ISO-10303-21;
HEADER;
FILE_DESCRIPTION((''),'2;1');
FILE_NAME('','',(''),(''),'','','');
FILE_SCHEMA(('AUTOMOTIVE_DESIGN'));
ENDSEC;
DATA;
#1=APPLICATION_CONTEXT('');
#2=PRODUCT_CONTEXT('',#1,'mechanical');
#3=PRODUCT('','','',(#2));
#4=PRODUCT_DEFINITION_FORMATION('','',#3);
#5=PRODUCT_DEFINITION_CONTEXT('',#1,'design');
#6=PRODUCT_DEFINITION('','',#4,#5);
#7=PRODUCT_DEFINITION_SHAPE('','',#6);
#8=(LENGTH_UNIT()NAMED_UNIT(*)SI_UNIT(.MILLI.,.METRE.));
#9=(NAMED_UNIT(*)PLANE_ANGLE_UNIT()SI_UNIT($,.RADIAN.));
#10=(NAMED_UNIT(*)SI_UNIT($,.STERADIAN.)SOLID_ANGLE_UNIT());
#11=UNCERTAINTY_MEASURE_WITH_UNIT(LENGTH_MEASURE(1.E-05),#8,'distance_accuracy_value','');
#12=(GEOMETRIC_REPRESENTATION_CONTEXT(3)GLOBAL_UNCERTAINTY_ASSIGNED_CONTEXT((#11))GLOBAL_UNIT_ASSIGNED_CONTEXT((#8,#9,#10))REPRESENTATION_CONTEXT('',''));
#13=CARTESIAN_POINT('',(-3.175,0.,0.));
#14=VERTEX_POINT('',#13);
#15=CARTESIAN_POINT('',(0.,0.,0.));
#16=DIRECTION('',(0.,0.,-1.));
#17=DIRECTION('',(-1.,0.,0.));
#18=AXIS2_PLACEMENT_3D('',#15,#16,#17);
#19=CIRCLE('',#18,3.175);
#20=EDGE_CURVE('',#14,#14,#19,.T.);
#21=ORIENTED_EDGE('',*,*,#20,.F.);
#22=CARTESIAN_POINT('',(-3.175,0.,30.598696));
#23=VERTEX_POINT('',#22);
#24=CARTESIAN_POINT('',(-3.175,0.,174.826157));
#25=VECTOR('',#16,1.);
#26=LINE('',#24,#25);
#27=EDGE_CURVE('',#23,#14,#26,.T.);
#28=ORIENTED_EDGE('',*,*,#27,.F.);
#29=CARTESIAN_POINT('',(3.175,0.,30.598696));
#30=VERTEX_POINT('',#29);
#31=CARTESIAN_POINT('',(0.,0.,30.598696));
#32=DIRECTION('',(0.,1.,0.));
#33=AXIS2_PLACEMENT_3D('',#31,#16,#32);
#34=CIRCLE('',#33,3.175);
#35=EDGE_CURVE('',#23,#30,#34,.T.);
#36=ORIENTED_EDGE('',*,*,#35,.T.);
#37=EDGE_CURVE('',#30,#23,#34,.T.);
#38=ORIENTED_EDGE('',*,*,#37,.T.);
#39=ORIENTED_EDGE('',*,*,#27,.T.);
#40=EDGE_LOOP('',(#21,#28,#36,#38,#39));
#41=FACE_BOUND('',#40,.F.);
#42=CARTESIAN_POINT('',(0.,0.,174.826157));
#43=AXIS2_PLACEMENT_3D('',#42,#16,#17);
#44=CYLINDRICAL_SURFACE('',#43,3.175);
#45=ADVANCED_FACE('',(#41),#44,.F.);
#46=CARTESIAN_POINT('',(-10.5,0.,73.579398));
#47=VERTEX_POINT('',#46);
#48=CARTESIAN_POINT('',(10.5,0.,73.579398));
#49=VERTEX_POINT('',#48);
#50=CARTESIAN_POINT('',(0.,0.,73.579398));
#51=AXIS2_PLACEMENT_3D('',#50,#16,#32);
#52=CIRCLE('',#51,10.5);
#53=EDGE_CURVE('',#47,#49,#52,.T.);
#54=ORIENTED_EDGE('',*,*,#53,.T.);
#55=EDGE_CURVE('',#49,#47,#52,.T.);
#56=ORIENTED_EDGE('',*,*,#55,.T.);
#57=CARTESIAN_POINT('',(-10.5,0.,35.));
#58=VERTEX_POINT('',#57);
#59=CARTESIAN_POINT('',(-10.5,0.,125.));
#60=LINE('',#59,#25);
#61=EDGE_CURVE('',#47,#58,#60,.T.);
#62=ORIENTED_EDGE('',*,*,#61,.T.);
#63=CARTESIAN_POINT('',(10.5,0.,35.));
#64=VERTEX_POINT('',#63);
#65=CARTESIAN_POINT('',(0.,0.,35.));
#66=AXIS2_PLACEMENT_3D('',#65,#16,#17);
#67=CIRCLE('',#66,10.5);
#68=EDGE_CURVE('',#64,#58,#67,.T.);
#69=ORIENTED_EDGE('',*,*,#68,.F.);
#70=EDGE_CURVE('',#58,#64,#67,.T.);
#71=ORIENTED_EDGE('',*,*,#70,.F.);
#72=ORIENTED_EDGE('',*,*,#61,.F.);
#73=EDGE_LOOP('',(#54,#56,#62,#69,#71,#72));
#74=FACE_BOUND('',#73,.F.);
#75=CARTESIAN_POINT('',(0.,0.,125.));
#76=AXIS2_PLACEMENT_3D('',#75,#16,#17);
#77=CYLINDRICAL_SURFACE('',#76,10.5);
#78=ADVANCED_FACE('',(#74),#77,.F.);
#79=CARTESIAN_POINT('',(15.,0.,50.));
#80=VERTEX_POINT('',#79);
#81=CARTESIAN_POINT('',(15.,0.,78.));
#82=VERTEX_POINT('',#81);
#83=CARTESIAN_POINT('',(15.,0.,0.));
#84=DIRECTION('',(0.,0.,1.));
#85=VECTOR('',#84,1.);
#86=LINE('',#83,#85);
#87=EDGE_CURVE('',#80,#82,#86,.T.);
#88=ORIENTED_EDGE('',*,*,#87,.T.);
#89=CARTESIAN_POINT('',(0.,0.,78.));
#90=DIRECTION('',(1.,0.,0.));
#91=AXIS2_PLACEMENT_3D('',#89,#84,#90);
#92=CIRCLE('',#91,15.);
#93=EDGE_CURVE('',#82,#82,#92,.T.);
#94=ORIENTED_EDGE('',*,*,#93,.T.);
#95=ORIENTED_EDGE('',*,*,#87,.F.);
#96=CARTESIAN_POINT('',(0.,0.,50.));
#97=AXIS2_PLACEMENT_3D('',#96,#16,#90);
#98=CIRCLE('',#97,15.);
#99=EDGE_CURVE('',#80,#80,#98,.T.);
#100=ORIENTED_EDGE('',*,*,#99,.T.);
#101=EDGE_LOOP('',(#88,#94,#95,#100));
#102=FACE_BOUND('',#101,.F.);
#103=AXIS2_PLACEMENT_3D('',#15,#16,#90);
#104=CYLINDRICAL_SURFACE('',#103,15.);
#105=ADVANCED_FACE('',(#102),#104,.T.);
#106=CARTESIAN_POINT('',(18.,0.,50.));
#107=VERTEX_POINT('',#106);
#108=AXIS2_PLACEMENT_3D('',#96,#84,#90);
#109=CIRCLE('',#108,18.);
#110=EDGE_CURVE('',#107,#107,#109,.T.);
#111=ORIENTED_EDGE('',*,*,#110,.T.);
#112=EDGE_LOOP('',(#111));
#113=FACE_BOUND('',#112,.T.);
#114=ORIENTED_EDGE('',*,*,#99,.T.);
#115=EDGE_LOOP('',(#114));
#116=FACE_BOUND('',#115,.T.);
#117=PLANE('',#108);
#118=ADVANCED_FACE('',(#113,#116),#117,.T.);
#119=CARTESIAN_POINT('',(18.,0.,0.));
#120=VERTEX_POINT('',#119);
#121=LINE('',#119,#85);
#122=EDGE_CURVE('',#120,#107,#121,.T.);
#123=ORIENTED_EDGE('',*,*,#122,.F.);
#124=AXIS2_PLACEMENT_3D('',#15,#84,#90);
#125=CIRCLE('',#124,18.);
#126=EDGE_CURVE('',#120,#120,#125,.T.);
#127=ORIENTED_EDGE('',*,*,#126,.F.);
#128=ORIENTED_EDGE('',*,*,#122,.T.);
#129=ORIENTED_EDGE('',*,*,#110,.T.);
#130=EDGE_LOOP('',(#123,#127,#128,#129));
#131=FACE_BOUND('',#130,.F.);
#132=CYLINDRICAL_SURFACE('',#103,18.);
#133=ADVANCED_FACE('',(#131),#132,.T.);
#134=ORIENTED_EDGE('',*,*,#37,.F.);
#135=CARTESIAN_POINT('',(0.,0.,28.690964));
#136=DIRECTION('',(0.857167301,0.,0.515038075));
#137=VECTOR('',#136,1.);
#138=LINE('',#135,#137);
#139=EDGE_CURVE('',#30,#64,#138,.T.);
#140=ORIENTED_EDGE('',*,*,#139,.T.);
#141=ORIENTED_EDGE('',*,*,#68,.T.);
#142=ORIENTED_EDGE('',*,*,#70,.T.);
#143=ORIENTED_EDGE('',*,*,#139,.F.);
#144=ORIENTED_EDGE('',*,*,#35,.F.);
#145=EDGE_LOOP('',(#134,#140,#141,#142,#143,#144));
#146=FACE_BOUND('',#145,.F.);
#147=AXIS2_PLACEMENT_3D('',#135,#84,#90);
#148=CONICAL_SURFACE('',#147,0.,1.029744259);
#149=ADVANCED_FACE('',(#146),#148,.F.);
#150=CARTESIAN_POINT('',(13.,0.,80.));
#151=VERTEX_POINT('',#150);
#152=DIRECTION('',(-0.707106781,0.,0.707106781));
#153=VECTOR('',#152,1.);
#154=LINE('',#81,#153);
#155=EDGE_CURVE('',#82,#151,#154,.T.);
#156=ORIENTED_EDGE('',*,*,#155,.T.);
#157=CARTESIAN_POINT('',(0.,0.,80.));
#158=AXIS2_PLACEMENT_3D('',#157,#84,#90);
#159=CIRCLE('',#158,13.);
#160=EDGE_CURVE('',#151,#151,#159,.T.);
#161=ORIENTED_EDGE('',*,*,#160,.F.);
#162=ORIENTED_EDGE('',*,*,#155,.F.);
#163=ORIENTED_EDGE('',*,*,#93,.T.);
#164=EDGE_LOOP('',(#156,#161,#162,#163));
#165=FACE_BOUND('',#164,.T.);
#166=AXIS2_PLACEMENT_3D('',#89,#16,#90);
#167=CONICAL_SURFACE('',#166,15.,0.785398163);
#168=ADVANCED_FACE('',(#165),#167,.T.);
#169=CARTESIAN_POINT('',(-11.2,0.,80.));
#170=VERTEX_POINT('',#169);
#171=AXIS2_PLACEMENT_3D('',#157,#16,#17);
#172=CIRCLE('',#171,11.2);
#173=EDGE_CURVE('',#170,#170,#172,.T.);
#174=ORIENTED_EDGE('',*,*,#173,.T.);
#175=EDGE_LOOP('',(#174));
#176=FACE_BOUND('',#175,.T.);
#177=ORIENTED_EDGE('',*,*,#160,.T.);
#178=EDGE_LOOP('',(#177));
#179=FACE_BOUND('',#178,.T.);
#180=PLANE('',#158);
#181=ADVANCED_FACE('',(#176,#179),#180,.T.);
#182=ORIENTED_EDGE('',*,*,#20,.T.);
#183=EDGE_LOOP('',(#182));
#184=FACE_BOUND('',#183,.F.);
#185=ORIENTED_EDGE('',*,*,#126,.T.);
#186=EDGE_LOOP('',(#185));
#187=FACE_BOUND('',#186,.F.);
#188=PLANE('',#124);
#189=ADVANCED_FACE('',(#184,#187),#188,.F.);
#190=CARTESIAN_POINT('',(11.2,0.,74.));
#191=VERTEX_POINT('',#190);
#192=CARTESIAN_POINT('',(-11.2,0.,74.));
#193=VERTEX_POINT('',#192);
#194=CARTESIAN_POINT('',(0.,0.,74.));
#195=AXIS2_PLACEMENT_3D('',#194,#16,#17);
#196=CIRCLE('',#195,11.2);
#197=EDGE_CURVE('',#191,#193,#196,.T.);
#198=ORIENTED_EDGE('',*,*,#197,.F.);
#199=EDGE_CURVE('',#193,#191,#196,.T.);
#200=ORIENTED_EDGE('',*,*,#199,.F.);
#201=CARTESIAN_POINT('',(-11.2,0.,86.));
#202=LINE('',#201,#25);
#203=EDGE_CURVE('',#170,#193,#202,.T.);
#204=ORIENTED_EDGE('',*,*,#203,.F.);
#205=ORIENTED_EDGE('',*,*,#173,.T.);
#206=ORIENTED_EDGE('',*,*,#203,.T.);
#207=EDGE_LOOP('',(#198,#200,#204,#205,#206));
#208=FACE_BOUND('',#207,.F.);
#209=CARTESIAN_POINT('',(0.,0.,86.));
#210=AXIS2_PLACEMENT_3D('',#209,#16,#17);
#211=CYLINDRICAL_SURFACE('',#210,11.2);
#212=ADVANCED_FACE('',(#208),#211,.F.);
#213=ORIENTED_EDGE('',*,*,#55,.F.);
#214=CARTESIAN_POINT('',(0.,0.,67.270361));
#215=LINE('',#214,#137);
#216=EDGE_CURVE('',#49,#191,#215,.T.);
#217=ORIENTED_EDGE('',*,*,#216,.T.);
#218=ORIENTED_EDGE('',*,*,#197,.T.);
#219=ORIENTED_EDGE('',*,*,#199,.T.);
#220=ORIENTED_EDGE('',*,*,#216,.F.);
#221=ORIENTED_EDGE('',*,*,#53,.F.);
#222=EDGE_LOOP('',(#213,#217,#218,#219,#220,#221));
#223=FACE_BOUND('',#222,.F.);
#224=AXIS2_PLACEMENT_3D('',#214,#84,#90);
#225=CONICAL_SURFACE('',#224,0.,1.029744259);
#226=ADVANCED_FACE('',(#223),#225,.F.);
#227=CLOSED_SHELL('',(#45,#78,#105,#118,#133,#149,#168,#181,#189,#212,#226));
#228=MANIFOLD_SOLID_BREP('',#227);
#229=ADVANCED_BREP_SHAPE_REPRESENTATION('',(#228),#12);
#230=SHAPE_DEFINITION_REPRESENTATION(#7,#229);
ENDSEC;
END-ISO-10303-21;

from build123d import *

# Parameters (mm, degrees)
F0_R      = 15
F1_DEPTH  = 80
F2_R      = 18
F3_DEPTH  = 50
F6_D      = 6.35
F8_D      = 21
F8_DEPTH  = 45
F8_TIP    = 6.3090364998
F10_D     = 22.4
F10_DEPTH = 6
F10_TIP   = 6.7296389331
F11_SIZE  = 2


with BuildPart() as f1:
    # F0 (on Top) → F1 (new body)
    with BuildSketch(Plane.XY):
        Circle(F0_R)
    extrude(amount=F1_DEPTH)

    # F2 (on Top) → F3 (join)
    with BuildSketch(Plane.XY):
        Circle(F2_R)
    extrude(amount=F3_DEPTH)

    # F6 (through all)
    with Locations(Plane.XY.offset(80)):
        with Locations((0, 0)):
            Hole(F6_D / 2)

    # F8
    with Locations(Plane.XY.offset(80)):
        with Locations((0, 0)):
            Hole(F8_D / 2, depth=F8_DEPTH)
            with Locations((0, 0, -(F8_DEPTH + F8_TIP / 2))):  # 118° drill point
                Cone(0, F8_D / 2, F8_TIP, mode=Mode.SUBTRACT)

    # F10
    with Locations(Plane.XY.offset(80)):
        with Locations((0, 0)):
            Hole(F10_D / 2, depth=F10_DEPTH)
            with Locations((0, 0, -(F10_DEPTH + F10_TIP / 2))):  # 118° drill point
                Cone(0, F10_D / 2, F10_TIP, mode=Mode.SUBTRACT)

    # F11
    f11_edges = [f1.edges().sort_by_distance(p)[0] for p in [
        (-15, 0, 80),
    ]]
    chamfer(f11_edges, length=F11_SIZE)


solid = f1.part
